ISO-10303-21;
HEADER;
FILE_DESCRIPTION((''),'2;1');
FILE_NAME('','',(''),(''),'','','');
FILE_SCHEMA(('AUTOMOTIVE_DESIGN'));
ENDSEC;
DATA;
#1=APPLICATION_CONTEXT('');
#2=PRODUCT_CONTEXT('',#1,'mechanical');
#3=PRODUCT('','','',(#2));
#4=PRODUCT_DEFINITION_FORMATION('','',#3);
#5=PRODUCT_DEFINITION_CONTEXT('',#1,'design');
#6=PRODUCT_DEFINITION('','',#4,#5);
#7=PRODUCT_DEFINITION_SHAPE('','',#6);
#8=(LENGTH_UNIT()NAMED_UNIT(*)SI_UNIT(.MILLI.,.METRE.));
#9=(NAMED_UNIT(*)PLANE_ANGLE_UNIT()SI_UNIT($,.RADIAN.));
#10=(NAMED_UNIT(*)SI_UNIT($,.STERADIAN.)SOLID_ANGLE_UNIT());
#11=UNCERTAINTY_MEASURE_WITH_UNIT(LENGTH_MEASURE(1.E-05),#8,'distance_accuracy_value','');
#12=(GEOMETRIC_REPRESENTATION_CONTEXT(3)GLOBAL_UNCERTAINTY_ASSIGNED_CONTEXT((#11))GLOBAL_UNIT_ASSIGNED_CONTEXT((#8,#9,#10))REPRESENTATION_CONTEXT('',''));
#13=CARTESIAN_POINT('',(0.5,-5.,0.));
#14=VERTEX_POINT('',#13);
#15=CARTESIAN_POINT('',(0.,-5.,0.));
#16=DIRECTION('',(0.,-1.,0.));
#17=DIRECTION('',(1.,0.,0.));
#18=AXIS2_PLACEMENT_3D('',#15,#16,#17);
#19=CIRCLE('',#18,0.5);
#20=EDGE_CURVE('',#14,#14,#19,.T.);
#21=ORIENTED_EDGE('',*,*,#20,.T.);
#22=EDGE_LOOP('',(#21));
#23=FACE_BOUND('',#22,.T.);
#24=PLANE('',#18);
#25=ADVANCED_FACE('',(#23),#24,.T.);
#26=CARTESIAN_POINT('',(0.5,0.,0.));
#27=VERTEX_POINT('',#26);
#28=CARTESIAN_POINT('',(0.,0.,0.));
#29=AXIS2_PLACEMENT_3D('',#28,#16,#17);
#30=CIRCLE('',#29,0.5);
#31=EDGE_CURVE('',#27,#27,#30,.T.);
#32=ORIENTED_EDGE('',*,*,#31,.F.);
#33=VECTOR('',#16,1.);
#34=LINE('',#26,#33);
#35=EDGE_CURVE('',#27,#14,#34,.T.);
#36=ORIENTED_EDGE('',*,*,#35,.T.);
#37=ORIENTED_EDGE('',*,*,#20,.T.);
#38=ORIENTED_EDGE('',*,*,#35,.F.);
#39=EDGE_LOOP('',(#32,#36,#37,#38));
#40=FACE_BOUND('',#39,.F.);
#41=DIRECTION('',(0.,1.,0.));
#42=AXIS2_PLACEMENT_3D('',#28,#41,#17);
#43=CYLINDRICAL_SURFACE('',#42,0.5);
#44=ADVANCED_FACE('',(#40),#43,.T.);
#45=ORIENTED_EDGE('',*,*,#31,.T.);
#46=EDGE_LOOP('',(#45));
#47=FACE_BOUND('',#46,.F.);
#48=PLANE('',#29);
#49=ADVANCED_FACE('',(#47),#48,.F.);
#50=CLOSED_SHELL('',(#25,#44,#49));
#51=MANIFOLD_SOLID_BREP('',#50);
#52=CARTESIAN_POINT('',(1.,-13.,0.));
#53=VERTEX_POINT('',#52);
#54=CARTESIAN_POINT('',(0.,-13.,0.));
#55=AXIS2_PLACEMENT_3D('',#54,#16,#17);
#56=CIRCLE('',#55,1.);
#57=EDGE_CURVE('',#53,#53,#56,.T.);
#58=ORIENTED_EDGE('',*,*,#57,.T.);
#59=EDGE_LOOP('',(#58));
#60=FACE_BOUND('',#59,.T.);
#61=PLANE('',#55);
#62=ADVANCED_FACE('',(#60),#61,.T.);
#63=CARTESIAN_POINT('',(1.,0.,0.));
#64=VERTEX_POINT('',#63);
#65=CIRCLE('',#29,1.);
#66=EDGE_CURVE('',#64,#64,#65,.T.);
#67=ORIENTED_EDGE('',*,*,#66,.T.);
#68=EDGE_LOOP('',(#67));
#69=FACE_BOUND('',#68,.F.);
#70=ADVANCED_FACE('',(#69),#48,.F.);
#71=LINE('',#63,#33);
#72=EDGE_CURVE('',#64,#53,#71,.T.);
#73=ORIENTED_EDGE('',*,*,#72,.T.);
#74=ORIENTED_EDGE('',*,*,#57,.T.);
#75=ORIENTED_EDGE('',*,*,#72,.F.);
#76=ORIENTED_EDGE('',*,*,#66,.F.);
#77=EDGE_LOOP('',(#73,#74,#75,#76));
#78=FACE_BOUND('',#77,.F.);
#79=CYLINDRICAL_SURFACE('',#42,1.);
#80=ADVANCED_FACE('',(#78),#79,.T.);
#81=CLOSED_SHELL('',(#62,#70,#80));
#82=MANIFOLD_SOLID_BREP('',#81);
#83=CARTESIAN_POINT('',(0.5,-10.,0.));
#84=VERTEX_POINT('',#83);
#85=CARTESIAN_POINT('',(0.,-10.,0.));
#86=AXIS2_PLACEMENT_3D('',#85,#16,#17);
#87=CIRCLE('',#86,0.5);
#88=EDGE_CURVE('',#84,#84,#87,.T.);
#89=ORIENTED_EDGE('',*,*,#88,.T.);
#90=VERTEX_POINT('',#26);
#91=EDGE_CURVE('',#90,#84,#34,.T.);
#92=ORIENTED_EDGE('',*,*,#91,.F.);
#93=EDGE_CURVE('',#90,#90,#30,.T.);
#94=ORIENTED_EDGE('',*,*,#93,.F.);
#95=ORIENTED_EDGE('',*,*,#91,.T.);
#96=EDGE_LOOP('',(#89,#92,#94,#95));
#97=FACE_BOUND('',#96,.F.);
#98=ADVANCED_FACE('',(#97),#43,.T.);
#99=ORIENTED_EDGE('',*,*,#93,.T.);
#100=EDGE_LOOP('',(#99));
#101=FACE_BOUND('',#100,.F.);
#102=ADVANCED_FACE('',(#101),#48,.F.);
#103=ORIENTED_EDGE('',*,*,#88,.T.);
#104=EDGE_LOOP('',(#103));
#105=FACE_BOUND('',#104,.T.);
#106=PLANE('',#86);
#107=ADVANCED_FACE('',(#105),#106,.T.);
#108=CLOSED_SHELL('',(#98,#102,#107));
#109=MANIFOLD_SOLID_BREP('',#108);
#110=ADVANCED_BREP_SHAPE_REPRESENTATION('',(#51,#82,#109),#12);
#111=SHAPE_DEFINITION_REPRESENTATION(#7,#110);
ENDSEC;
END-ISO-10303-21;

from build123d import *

# Parameters (mm, degrees)
F0_R     = 1
F1_DEPTH = 13
F2_R     = 0.5
F3_DEPTH = 5
F4_DEPTH = 10


with BuildPart() as f1:
    # F0 (on Front) → F1 (new body)
    with BuildSketch(Plane.XZ):
        Circle(F0_R)
    extrude(amount=F1_DEPTH)


with BuildPart() as f3:
    # F2 (on Front) → F3 (new body)
    with BuildSketch(Plane.XZ):
        Circle(F2_R)
    extrude(amount=F3_DEPTH)


with BuildPart() as f4:
    # F2 (on Front) → F4 (new body)
    with BuildSketch(Plane.XZ):
        Circle(F2_R)
    extrude(amount=F4_DEPTH)


solid = Compound([f1.part, f3.part, f4.part])
